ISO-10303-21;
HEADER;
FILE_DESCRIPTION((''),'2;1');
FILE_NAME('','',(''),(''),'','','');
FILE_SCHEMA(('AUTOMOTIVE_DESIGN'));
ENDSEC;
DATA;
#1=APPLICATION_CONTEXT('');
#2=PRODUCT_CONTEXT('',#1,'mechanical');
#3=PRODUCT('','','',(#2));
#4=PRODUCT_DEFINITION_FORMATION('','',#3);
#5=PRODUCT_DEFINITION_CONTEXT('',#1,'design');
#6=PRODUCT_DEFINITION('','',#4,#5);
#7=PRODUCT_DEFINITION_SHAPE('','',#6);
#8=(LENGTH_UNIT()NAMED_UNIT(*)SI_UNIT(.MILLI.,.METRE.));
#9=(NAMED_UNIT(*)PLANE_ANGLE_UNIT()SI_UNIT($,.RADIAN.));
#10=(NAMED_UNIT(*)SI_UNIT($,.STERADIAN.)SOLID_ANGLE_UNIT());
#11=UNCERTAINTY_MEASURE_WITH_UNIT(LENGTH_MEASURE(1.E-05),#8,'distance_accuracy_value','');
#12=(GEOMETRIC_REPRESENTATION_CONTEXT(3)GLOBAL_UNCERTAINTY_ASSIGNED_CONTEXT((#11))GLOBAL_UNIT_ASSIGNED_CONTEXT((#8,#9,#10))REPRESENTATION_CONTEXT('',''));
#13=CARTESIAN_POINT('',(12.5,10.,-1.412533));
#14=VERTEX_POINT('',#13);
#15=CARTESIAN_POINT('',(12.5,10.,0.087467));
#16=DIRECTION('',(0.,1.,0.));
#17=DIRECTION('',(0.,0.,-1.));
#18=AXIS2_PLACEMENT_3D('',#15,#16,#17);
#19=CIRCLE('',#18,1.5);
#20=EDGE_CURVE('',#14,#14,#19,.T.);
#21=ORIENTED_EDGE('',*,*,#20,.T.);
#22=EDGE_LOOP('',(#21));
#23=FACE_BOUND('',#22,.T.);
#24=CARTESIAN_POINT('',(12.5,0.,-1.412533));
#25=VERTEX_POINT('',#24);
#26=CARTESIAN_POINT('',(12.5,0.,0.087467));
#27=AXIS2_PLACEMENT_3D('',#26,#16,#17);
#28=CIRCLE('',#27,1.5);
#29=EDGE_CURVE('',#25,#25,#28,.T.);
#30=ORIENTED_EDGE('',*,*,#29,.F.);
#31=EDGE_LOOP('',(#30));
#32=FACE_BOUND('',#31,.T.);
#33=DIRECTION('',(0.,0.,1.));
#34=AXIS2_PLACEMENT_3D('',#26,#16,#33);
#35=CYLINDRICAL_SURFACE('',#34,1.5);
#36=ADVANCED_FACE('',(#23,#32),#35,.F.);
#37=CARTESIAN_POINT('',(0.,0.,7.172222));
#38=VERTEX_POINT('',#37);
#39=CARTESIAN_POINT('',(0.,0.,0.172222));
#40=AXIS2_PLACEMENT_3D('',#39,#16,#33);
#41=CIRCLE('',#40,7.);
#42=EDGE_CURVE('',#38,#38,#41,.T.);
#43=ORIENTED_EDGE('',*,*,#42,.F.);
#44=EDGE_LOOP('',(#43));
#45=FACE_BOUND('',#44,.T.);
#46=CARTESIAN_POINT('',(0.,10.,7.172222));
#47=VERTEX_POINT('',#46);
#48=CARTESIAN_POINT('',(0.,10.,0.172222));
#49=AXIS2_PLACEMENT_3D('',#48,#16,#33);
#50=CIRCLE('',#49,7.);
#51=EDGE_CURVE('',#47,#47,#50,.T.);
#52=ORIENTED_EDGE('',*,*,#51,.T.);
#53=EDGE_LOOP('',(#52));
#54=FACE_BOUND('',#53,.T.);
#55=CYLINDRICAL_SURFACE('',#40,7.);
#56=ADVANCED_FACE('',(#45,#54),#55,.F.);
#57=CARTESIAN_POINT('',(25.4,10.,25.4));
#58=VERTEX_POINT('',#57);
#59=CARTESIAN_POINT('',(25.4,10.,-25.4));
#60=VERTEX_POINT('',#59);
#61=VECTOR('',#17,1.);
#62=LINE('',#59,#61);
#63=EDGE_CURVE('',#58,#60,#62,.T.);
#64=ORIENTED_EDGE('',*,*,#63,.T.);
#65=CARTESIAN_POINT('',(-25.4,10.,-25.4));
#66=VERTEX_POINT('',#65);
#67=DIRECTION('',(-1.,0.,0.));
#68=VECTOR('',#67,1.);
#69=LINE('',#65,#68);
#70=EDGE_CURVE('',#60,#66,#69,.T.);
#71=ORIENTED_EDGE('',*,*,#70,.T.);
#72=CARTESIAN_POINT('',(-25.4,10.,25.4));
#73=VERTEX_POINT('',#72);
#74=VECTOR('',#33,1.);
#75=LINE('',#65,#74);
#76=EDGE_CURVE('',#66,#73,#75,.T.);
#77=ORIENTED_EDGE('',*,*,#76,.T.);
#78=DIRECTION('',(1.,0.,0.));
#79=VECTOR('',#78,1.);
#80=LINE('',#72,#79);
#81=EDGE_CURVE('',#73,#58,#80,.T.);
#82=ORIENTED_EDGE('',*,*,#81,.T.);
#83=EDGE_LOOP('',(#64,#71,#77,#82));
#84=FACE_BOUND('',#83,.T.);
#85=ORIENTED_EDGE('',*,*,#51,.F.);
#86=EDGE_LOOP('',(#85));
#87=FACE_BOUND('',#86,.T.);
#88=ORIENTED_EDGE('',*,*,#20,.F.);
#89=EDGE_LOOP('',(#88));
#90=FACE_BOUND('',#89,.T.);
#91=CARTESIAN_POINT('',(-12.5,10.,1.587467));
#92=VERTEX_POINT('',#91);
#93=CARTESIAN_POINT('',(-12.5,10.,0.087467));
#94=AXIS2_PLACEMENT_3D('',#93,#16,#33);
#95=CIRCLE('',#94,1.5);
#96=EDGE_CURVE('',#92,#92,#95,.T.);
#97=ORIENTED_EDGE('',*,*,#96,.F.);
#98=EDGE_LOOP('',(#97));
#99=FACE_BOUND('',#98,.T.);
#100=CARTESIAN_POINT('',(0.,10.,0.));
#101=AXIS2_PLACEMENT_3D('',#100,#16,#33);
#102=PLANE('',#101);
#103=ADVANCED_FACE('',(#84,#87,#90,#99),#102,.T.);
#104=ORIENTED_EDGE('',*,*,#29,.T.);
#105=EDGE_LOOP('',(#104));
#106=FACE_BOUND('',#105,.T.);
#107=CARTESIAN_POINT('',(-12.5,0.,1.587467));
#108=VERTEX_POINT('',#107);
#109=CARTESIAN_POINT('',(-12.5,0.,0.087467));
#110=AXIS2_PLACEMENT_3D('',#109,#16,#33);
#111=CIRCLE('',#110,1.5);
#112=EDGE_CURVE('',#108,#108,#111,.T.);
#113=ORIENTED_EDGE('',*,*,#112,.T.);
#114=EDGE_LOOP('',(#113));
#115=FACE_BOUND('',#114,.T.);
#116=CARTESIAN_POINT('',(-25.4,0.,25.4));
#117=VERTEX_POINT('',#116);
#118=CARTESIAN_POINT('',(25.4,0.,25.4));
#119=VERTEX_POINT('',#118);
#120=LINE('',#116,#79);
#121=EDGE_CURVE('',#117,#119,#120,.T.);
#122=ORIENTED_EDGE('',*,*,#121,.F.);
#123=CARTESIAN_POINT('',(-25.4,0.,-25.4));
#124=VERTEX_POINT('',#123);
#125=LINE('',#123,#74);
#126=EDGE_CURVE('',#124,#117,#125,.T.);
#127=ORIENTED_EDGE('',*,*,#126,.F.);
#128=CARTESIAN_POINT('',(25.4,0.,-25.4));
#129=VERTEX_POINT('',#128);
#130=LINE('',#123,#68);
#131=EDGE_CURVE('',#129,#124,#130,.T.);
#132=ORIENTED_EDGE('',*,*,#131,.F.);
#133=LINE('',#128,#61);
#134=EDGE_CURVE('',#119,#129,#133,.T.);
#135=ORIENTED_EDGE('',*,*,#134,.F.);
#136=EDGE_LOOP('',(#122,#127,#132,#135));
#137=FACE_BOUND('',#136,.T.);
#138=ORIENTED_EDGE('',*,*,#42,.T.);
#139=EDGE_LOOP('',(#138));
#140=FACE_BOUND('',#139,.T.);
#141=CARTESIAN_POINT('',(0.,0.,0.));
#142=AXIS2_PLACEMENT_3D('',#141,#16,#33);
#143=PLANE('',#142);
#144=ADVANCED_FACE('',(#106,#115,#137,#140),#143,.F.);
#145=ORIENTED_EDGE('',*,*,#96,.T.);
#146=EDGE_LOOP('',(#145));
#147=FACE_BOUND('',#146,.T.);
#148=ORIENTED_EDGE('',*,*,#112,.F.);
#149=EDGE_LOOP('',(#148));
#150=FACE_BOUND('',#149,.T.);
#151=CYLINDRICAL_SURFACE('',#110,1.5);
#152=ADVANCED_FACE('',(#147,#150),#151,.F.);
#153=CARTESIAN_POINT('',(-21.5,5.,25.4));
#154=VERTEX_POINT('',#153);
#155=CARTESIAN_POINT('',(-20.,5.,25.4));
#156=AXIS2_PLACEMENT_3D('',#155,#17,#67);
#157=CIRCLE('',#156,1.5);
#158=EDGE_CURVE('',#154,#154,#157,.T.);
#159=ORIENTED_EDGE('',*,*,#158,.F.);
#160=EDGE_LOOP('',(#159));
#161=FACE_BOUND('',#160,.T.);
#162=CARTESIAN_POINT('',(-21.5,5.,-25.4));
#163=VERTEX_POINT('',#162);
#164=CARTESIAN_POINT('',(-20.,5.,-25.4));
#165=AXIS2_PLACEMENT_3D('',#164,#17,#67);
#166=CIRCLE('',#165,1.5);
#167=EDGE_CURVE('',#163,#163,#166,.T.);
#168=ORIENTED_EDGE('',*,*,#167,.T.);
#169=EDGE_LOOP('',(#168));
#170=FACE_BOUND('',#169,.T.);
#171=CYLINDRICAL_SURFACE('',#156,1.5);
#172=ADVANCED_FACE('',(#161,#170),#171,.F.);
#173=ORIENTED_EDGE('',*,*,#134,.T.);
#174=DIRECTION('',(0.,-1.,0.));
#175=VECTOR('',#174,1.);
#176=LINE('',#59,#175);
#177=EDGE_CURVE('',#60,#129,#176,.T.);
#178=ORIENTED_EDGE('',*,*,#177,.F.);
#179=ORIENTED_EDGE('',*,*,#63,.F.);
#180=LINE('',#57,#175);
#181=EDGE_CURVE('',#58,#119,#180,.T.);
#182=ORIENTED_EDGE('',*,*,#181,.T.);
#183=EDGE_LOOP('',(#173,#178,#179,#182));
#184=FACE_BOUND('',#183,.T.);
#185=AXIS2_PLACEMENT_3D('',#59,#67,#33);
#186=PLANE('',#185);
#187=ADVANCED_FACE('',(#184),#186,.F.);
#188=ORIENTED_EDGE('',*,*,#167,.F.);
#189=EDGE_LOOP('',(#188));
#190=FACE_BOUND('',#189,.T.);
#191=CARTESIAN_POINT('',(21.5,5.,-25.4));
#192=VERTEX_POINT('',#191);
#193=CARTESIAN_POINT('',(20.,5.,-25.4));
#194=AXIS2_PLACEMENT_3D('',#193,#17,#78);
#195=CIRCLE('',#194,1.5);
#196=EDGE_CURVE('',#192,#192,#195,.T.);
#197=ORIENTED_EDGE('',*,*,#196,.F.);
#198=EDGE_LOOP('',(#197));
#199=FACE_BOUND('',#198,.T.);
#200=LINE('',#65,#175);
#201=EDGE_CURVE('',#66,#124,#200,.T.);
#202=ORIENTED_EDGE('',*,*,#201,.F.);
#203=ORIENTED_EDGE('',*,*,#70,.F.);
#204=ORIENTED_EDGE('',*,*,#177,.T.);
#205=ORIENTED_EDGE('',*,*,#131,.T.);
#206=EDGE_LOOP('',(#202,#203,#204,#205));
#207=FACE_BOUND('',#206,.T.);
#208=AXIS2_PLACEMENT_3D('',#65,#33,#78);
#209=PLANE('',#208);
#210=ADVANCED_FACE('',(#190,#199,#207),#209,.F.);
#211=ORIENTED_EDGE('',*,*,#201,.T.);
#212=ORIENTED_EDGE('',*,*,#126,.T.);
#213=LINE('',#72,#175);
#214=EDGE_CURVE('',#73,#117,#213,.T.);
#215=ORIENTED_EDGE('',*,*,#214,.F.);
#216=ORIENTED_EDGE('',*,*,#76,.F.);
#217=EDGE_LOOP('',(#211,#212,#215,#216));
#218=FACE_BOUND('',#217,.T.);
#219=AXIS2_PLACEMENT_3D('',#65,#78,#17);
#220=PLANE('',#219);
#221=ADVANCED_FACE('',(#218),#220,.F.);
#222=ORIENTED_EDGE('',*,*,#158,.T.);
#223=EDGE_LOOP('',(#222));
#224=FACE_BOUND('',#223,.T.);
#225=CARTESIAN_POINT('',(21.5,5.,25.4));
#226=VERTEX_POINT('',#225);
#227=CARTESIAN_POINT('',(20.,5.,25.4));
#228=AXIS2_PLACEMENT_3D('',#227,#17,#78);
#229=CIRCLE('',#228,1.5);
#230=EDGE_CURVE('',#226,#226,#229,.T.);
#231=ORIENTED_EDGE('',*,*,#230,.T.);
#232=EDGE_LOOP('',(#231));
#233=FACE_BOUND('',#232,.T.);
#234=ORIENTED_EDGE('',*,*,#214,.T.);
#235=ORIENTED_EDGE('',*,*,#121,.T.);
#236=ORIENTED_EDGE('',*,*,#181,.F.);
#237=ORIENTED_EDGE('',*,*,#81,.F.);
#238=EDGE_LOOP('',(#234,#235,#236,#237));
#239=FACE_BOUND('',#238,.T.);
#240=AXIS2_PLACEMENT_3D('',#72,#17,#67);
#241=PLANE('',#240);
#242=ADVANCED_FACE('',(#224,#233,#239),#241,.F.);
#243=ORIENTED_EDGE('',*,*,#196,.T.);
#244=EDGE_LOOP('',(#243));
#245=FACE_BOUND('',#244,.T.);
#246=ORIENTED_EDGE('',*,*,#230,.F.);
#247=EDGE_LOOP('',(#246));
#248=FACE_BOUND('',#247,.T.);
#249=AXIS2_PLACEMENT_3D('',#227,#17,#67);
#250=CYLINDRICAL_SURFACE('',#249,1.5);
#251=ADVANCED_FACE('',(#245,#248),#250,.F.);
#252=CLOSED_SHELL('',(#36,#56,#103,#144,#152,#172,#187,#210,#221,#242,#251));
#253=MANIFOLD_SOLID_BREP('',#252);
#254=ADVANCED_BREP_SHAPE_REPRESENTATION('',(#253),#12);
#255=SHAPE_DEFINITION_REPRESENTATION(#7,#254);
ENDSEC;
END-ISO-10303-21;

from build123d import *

# Parameters (mm, degrees)
SKETCH1_W           = 50.8
SKETCH1_H           = 50.8
BOSS_EXTRUDE1_DEPTH = 10
SKETCH2_R           = 7
SKETCH2_R_2         = 1.5
CUT_EXTRUDE1_DEPTH  = 38.286995052
SKETCH3_R           = 1.5
CUT_EXTRUDE2_DEPTH  = 58.669749436


with BuildPart() as part:
    # Sketch1 → Boss-Extrude1 (new body)
    with BuildSketch(Plane(origin=(0, 0, 0), x_dir=(1, 0, 0), z_dir=(0, 1, 0))):
        Rectangle(SKETCH1_W, SKETCH1_H)
    extrude(amount=BOSS_EXTRUDE1_DEPTH)

    # Sketch2 → Cut-Extrude1 (cut, through all)
    with BuildSketch(Plane(origin=(0, 10, 0), x_dir=(1, 0, 0), z_dir=(0, 1, 0))):
        with Locations(Location((0, -0.172221673, 0), (0, 0, 270))):
            Circle(SKETCH2_R)
        with Locations(Location((-12.5, -0.087466912, 0), (0, 0, 270))):
            Circle(SKETCH2_R_2)
        with Locations(Location((12.5, -0.087466912, 0), (0, 0, 90))):
            Circle(SKETCH2_R_2)
    extrude(amount=-CUT_EXTRUDE1_DEPTH, mode=Mode.SUBTRACT)

    # Sketch3 → Cut-Extrude2 (cut, through all)
    with BuildSketch(Plane(origin=(0, 0, -25.4), x_dir=(-1, 0, 0), z_dir=(0, 0, -1))):
        with Locations((20, 5)):
            Circle(SKETCH3_R)
        with Locations(Location((-20, 5, 0), (0, 0, 180))):
            Circle(SKETCH3_R)
    extrude(amount=-CUT_EXTRUDE2_DEPTH, mode=Mode.SUBTRACT)


solid = part.part
